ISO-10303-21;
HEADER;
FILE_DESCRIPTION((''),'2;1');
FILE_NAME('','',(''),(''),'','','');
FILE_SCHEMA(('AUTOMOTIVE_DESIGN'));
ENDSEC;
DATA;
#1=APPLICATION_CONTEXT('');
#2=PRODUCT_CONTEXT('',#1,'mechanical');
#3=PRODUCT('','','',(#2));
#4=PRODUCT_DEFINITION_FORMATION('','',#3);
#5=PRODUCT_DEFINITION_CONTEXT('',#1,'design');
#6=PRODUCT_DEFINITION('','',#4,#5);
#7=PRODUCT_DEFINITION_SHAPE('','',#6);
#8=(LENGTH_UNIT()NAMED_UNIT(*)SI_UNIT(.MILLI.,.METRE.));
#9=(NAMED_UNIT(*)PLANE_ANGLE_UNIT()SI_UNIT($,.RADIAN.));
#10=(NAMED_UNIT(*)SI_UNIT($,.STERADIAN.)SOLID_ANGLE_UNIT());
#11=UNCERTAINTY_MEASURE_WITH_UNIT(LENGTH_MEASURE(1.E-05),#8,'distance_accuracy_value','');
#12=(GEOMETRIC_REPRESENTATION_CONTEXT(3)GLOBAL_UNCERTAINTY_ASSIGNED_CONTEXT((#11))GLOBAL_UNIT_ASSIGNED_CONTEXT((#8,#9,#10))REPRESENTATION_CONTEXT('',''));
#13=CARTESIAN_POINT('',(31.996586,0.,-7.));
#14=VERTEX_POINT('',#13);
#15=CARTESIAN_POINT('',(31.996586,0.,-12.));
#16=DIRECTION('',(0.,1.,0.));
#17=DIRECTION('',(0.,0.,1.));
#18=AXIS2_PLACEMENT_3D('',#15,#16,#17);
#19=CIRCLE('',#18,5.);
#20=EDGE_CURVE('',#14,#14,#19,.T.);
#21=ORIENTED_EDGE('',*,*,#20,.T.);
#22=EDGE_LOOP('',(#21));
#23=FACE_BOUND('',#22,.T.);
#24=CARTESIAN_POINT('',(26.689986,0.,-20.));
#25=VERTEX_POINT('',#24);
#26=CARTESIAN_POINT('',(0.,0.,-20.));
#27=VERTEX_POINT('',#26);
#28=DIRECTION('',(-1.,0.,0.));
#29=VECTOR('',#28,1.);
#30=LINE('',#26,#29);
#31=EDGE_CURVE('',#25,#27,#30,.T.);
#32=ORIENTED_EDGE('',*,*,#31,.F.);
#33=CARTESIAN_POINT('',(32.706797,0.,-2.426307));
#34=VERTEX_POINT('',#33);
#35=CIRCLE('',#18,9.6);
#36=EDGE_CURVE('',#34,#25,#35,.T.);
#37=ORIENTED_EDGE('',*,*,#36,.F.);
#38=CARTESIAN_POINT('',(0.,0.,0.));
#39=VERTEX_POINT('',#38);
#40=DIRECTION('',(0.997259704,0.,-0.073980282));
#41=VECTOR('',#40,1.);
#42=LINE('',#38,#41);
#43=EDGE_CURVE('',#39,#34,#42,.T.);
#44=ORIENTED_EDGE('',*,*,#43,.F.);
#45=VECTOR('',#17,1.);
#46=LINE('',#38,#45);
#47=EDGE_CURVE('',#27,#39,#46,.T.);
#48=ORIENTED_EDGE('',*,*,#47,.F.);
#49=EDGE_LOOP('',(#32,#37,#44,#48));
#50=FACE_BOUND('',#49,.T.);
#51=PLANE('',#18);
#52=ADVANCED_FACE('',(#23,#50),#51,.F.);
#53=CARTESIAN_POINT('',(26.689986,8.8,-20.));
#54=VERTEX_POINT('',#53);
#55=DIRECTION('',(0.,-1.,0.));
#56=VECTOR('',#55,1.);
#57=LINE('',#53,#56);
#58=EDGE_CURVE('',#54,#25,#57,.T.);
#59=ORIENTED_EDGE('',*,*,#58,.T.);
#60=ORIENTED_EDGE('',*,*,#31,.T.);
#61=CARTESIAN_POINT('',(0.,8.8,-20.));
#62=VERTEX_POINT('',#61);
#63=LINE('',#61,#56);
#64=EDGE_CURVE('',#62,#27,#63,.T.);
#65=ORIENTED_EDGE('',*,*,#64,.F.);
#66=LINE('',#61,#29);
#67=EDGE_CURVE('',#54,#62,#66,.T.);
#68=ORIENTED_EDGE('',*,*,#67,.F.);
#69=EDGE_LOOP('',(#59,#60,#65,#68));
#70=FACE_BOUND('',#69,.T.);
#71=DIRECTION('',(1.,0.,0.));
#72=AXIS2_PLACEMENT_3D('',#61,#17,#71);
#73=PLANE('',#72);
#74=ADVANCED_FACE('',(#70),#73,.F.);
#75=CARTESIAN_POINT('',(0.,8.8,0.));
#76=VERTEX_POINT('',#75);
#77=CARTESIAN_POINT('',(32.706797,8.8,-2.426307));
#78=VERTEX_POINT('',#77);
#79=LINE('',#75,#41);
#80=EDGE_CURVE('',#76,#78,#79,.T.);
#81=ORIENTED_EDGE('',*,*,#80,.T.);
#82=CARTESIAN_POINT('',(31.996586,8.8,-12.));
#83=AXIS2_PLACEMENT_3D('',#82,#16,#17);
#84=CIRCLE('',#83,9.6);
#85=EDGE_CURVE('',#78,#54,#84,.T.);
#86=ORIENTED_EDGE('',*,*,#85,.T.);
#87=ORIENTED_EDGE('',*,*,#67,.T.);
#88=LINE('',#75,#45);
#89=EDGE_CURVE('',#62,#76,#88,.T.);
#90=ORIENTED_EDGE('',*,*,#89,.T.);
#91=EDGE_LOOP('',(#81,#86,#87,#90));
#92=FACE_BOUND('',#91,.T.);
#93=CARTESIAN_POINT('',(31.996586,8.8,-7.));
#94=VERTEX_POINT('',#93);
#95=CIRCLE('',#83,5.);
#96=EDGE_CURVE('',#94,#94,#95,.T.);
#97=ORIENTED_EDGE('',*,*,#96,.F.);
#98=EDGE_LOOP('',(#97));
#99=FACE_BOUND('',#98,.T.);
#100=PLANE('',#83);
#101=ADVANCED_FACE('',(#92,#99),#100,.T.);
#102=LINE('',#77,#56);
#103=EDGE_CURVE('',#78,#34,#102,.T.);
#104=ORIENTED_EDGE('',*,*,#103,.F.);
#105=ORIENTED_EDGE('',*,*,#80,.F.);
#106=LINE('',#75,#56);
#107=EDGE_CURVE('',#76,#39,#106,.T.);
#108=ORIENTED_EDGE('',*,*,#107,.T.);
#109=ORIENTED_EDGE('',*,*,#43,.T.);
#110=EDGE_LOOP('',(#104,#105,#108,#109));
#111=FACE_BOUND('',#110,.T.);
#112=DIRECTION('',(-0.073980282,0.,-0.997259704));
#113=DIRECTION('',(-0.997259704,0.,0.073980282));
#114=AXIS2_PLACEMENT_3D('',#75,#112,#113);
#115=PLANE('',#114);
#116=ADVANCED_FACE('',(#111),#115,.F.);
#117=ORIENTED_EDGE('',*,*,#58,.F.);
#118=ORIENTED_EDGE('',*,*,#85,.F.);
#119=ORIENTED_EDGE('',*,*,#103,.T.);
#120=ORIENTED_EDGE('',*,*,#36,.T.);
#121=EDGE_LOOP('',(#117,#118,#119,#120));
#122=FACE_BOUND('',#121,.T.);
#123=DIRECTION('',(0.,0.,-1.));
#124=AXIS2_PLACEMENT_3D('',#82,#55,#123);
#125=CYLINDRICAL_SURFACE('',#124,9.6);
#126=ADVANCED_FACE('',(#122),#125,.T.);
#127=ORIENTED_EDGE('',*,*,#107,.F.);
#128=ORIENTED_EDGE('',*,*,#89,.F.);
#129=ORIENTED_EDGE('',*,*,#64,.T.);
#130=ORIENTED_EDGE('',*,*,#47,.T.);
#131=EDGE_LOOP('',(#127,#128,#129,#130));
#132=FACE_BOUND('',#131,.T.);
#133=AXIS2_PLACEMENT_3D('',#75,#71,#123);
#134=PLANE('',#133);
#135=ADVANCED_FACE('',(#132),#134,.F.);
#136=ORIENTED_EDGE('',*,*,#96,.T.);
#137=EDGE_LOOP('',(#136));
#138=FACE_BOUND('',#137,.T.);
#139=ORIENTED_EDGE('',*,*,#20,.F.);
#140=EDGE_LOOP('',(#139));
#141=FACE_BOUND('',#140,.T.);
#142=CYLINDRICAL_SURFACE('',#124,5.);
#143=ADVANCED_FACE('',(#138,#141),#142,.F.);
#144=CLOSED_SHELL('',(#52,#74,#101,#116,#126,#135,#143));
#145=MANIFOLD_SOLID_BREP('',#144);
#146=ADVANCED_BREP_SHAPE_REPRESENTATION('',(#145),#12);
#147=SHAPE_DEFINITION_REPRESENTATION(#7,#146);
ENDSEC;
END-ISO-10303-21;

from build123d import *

# Parameters (mm, degrees)
SKETCH2_R           = 5
BOSS_EXTRUDE1_DEPTH = 8.8


with BuildPart() as part:
    # Sketch2 → Boss-Extrude1 (new body)
    with BuildSketch(Plane(origin=(0, 0, 0), x_dir=(1, 0, 0), z_dir=(0, 1, 0))):
        with BuildLine():
            Line((0, 0), (0, 20))
            Line((0, 20), (26.689986451, 20))
            ThreePointArc((26.689986451, 20), (41.079007087, 15.109602755), (32.706796819, 2.426306838))
            Line((32.706796819, 2.426306838), (0, 0))
        make_face()
        with Locations(Location((31.996586115, 12, 0), (0, 0, 270))):
            Circle(SKETCH2_R, mode=Mode.SUBTRACT)
    extrude(amount=BOSS_EXTRUDE1_DEPTH)


solid = part.part
